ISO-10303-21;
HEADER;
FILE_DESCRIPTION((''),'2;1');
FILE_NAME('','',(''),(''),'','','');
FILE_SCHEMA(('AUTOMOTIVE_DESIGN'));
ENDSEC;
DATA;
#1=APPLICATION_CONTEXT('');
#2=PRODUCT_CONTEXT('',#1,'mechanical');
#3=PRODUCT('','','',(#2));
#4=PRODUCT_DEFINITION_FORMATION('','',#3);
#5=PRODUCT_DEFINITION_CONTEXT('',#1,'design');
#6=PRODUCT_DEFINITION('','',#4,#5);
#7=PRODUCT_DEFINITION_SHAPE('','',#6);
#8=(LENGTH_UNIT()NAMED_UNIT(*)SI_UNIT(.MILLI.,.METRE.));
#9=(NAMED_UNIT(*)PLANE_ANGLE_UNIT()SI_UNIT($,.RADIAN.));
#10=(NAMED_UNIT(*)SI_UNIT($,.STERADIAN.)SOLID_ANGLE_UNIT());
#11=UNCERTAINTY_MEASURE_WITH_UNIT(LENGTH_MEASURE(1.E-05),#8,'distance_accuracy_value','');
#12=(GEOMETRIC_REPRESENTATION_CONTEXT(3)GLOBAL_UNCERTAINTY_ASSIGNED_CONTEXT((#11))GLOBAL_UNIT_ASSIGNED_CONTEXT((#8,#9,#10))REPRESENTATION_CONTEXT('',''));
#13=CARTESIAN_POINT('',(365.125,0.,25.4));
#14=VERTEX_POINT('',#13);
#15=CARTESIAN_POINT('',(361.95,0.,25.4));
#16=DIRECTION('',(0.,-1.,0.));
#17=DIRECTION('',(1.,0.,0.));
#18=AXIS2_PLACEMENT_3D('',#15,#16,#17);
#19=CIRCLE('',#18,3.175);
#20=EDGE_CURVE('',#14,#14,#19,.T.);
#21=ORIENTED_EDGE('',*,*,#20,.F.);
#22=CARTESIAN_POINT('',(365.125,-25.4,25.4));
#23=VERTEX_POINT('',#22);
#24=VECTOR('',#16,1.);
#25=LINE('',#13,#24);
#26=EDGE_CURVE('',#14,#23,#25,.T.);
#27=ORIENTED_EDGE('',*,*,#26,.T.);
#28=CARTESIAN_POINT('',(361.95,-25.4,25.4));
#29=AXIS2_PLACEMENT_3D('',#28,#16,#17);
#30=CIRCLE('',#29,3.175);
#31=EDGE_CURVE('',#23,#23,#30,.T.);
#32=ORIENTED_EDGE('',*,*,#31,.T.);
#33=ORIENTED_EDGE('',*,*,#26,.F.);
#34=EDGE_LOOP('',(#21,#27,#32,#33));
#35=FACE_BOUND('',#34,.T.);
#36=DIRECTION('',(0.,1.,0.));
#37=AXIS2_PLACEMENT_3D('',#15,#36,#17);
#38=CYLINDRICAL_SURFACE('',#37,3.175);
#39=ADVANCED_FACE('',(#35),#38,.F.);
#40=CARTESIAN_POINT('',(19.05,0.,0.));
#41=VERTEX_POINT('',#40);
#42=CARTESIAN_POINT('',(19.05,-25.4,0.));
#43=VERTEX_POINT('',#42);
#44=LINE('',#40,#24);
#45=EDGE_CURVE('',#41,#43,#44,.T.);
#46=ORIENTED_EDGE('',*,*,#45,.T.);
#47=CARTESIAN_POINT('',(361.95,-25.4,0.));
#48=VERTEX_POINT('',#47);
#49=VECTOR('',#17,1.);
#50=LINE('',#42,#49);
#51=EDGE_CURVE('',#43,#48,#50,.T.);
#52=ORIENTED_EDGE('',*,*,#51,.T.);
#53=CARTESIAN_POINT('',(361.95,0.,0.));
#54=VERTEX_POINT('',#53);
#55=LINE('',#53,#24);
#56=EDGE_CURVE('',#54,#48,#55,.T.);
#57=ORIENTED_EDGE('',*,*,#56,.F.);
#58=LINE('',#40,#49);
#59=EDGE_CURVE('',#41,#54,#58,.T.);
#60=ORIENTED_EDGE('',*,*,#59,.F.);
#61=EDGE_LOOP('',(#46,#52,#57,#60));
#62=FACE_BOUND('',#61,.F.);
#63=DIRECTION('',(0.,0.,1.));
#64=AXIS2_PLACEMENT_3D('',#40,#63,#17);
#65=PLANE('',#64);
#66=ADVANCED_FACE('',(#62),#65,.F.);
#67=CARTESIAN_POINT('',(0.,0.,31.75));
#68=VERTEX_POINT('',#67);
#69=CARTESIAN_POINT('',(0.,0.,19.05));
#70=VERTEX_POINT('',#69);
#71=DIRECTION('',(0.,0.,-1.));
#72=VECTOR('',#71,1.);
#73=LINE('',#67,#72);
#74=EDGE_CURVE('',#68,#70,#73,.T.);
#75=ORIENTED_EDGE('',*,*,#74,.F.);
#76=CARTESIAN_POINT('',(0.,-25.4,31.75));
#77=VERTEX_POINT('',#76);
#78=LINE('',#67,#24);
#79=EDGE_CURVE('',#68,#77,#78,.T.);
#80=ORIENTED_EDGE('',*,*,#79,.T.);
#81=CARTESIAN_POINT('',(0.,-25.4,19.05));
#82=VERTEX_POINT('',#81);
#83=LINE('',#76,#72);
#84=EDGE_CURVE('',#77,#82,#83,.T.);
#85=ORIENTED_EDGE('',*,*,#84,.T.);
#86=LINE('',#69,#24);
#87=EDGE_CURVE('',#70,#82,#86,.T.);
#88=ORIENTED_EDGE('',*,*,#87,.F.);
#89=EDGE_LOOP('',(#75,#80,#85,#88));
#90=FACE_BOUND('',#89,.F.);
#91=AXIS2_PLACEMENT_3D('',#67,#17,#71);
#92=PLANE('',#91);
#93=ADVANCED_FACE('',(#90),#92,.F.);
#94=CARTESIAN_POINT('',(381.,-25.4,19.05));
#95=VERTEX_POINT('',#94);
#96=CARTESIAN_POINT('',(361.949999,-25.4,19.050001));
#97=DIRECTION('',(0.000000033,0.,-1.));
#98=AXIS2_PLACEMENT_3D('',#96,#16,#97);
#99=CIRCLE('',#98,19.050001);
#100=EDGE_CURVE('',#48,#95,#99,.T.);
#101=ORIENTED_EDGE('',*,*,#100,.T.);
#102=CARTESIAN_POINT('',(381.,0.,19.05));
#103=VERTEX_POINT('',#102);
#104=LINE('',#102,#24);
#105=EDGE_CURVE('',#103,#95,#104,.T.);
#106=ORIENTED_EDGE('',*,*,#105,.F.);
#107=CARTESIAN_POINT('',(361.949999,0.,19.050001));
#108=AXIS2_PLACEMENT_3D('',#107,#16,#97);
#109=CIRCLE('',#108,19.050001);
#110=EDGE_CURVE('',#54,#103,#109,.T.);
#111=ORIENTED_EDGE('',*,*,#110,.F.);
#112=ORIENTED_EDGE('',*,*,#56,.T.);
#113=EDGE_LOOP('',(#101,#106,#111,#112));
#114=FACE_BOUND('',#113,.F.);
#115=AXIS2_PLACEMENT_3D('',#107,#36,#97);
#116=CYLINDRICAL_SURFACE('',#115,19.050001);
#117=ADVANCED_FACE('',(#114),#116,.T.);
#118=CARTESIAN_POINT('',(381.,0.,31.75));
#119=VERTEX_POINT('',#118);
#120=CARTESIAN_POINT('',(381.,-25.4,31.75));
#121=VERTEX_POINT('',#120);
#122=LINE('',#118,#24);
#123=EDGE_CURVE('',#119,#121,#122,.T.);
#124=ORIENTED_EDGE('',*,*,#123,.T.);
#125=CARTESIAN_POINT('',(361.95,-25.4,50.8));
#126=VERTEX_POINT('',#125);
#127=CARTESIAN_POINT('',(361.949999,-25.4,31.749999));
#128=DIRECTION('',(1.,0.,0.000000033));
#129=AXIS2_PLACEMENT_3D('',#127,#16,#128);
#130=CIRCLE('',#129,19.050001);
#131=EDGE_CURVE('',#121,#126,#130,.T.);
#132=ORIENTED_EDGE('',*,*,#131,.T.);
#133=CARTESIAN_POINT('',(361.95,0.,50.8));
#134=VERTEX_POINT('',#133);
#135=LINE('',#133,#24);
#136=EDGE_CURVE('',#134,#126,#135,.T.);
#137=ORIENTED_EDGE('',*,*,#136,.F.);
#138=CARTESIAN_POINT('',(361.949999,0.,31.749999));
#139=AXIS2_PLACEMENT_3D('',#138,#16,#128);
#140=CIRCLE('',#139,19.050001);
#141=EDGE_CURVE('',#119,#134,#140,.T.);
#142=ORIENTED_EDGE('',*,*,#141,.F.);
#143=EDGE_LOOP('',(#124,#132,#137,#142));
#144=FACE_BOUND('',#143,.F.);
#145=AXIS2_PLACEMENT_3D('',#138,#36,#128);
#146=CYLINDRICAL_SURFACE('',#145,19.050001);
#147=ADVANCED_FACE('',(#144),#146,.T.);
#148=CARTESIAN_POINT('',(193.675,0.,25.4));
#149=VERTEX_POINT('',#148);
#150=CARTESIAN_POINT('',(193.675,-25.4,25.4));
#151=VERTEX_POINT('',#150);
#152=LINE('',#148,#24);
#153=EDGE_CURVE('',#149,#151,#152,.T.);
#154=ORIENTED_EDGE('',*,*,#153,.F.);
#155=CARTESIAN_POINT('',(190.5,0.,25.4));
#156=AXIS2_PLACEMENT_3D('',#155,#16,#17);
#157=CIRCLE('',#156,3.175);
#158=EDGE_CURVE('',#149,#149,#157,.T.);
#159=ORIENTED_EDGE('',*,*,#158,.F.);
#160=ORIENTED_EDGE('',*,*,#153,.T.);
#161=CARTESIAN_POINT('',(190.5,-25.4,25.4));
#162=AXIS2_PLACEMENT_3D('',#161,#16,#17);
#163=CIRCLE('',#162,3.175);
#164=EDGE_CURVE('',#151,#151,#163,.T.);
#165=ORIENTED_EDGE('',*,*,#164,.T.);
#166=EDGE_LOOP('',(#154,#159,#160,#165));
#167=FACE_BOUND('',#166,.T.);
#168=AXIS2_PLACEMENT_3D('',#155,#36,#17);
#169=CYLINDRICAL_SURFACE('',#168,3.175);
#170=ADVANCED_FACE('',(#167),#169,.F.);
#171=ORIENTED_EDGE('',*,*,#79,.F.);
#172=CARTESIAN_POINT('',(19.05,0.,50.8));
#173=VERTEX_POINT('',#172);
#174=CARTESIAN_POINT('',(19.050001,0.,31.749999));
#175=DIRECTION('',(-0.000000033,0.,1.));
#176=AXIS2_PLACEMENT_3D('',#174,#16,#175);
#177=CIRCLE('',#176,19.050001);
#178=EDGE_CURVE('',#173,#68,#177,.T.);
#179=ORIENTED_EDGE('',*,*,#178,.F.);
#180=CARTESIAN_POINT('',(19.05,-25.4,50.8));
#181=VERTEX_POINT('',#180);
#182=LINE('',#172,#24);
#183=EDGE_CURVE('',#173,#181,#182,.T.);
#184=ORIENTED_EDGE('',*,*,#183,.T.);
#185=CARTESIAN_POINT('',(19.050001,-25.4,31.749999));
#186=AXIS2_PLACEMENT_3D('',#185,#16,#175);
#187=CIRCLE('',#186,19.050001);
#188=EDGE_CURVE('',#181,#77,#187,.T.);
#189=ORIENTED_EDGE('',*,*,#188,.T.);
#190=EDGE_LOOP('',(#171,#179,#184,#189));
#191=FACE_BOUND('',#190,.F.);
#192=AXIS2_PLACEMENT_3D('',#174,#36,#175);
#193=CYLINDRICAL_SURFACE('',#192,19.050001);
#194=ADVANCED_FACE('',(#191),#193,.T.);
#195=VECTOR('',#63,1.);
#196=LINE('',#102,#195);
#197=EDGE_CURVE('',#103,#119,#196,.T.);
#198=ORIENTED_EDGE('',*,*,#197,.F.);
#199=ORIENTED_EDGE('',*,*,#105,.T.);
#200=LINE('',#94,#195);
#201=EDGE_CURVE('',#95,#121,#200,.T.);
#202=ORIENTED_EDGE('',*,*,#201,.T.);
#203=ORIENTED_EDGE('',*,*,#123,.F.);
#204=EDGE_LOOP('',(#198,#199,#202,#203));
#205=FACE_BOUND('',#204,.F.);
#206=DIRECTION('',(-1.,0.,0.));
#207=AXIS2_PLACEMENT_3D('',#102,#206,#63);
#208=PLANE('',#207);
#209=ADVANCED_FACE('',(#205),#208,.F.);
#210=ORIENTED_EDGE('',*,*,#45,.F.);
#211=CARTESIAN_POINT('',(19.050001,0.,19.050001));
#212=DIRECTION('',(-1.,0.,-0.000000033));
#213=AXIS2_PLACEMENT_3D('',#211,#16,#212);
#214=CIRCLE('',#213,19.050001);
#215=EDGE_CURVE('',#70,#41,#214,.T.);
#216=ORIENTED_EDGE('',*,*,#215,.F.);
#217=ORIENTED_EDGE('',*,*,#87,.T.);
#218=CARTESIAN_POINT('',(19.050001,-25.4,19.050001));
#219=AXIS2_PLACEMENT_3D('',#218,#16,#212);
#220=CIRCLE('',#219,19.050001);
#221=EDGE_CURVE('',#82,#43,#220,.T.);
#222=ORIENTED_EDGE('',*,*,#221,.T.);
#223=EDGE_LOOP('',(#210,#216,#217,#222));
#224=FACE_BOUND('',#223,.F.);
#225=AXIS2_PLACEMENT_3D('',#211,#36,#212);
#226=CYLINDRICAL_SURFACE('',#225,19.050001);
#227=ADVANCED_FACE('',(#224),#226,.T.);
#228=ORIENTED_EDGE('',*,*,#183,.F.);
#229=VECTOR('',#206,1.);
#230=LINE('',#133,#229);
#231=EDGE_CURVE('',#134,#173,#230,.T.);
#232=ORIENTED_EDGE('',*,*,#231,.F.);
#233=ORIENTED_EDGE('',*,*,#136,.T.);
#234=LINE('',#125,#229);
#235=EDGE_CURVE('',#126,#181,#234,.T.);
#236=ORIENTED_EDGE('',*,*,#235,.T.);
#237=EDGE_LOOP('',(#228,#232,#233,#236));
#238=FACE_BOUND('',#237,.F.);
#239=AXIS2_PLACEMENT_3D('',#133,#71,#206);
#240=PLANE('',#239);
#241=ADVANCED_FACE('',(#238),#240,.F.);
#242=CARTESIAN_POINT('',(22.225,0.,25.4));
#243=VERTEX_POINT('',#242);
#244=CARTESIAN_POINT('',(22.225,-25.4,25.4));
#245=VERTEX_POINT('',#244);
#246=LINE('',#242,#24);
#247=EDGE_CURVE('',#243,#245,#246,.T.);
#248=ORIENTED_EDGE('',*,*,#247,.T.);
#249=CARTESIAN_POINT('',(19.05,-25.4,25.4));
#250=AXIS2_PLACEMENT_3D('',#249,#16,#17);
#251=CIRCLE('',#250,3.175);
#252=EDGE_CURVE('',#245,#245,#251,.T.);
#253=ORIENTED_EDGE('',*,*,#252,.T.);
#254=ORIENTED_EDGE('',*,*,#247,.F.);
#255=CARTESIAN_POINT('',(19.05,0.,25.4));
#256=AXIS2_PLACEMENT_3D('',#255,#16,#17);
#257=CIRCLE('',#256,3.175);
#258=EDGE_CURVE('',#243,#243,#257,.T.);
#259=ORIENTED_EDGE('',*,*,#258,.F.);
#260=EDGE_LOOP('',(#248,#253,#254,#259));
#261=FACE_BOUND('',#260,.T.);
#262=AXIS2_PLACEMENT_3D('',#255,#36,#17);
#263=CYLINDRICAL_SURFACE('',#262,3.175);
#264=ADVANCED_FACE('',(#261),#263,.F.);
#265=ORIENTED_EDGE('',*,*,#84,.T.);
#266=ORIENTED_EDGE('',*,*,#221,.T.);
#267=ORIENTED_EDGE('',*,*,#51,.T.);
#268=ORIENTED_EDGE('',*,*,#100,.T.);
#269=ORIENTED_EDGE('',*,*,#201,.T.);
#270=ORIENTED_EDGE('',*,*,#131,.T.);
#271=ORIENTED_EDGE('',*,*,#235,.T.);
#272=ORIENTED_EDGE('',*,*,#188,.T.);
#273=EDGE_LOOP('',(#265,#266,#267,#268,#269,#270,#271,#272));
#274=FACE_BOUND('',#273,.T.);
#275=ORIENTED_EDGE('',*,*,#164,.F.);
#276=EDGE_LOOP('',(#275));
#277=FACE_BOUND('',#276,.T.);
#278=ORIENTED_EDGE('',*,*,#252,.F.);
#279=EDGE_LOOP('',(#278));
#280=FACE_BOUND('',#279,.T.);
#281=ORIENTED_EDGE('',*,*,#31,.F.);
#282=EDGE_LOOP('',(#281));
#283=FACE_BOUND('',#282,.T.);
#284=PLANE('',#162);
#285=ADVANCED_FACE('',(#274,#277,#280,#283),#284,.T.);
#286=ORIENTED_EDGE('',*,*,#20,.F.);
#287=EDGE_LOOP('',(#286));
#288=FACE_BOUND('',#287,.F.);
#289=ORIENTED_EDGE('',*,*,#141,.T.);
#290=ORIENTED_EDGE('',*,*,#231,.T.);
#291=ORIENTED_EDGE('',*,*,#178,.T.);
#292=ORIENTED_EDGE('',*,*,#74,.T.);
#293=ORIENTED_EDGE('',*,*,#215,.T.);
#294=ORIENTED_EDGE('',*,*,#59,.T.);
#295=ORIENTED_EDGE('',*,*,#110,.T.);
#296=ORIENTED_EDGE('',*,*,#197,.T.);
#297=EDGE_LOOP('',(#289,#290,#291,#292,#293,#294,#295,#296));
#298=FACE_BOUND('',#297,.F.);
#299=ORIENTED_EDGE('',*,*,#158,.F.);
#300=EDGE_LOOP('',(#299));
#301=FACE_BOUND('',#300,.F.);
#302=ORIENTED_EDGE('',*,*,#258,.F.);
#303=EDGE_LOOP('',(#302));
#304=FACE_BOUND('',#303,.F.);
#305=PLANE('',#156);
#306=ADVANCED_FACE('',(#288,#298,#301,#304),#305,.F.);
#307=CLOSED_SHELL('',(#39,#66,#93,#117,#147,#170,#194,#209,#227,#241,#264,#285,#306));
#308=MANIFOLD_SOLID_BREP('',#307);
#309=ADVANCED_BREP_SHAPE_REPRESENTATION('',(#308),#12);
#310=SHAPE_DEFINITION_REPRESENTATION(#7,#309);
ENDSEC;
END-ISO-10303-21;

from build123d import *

# Parameters (mm, degrees)
F0_R     = 3.175
F1_DEPTH = 25.4


with BuildPart() as f1:
    # F0 (on Front) → F1 (new body)
    with BuildSketch(Plane.XZ):
        with BuildLine():
            Line((0, 31.75), (0, 19.05))
            ThreePointArc((0, 19.05), (5.579616, 5.579616), (19.05, 0))
            Line((19.05, 0), (361.95, 0))
            ThreePointArc((361.95, 0), (375.420384, 5.579616), (381, 19.05))
            Line((381, 19.05), (381, 31.75))
            ThreePointArc((381, 31.75), (375.420384, 45.220384), (361.95, 50.8))
            Line((361.95, 50.8), (19.05, 50.8))
            ThreePointArc((19.05, 50.8), (5.579616, 45.220384), (0, 31.75))
        make_face()
        with Locations((19.05, 25.4)):
            Circle(F0_R, mode=Mode.SUBTRACT)
        with Locations((190.5, 25.4)):
            Circle(F0_R, mode=Mode.SUBTRACT)
        with Locations((361.95, 25.4)):
            Circle(F0_R, mode=Mode.SUBTRACT)
    extrude(amount=F1_DEPTH)


solid = f1.part
